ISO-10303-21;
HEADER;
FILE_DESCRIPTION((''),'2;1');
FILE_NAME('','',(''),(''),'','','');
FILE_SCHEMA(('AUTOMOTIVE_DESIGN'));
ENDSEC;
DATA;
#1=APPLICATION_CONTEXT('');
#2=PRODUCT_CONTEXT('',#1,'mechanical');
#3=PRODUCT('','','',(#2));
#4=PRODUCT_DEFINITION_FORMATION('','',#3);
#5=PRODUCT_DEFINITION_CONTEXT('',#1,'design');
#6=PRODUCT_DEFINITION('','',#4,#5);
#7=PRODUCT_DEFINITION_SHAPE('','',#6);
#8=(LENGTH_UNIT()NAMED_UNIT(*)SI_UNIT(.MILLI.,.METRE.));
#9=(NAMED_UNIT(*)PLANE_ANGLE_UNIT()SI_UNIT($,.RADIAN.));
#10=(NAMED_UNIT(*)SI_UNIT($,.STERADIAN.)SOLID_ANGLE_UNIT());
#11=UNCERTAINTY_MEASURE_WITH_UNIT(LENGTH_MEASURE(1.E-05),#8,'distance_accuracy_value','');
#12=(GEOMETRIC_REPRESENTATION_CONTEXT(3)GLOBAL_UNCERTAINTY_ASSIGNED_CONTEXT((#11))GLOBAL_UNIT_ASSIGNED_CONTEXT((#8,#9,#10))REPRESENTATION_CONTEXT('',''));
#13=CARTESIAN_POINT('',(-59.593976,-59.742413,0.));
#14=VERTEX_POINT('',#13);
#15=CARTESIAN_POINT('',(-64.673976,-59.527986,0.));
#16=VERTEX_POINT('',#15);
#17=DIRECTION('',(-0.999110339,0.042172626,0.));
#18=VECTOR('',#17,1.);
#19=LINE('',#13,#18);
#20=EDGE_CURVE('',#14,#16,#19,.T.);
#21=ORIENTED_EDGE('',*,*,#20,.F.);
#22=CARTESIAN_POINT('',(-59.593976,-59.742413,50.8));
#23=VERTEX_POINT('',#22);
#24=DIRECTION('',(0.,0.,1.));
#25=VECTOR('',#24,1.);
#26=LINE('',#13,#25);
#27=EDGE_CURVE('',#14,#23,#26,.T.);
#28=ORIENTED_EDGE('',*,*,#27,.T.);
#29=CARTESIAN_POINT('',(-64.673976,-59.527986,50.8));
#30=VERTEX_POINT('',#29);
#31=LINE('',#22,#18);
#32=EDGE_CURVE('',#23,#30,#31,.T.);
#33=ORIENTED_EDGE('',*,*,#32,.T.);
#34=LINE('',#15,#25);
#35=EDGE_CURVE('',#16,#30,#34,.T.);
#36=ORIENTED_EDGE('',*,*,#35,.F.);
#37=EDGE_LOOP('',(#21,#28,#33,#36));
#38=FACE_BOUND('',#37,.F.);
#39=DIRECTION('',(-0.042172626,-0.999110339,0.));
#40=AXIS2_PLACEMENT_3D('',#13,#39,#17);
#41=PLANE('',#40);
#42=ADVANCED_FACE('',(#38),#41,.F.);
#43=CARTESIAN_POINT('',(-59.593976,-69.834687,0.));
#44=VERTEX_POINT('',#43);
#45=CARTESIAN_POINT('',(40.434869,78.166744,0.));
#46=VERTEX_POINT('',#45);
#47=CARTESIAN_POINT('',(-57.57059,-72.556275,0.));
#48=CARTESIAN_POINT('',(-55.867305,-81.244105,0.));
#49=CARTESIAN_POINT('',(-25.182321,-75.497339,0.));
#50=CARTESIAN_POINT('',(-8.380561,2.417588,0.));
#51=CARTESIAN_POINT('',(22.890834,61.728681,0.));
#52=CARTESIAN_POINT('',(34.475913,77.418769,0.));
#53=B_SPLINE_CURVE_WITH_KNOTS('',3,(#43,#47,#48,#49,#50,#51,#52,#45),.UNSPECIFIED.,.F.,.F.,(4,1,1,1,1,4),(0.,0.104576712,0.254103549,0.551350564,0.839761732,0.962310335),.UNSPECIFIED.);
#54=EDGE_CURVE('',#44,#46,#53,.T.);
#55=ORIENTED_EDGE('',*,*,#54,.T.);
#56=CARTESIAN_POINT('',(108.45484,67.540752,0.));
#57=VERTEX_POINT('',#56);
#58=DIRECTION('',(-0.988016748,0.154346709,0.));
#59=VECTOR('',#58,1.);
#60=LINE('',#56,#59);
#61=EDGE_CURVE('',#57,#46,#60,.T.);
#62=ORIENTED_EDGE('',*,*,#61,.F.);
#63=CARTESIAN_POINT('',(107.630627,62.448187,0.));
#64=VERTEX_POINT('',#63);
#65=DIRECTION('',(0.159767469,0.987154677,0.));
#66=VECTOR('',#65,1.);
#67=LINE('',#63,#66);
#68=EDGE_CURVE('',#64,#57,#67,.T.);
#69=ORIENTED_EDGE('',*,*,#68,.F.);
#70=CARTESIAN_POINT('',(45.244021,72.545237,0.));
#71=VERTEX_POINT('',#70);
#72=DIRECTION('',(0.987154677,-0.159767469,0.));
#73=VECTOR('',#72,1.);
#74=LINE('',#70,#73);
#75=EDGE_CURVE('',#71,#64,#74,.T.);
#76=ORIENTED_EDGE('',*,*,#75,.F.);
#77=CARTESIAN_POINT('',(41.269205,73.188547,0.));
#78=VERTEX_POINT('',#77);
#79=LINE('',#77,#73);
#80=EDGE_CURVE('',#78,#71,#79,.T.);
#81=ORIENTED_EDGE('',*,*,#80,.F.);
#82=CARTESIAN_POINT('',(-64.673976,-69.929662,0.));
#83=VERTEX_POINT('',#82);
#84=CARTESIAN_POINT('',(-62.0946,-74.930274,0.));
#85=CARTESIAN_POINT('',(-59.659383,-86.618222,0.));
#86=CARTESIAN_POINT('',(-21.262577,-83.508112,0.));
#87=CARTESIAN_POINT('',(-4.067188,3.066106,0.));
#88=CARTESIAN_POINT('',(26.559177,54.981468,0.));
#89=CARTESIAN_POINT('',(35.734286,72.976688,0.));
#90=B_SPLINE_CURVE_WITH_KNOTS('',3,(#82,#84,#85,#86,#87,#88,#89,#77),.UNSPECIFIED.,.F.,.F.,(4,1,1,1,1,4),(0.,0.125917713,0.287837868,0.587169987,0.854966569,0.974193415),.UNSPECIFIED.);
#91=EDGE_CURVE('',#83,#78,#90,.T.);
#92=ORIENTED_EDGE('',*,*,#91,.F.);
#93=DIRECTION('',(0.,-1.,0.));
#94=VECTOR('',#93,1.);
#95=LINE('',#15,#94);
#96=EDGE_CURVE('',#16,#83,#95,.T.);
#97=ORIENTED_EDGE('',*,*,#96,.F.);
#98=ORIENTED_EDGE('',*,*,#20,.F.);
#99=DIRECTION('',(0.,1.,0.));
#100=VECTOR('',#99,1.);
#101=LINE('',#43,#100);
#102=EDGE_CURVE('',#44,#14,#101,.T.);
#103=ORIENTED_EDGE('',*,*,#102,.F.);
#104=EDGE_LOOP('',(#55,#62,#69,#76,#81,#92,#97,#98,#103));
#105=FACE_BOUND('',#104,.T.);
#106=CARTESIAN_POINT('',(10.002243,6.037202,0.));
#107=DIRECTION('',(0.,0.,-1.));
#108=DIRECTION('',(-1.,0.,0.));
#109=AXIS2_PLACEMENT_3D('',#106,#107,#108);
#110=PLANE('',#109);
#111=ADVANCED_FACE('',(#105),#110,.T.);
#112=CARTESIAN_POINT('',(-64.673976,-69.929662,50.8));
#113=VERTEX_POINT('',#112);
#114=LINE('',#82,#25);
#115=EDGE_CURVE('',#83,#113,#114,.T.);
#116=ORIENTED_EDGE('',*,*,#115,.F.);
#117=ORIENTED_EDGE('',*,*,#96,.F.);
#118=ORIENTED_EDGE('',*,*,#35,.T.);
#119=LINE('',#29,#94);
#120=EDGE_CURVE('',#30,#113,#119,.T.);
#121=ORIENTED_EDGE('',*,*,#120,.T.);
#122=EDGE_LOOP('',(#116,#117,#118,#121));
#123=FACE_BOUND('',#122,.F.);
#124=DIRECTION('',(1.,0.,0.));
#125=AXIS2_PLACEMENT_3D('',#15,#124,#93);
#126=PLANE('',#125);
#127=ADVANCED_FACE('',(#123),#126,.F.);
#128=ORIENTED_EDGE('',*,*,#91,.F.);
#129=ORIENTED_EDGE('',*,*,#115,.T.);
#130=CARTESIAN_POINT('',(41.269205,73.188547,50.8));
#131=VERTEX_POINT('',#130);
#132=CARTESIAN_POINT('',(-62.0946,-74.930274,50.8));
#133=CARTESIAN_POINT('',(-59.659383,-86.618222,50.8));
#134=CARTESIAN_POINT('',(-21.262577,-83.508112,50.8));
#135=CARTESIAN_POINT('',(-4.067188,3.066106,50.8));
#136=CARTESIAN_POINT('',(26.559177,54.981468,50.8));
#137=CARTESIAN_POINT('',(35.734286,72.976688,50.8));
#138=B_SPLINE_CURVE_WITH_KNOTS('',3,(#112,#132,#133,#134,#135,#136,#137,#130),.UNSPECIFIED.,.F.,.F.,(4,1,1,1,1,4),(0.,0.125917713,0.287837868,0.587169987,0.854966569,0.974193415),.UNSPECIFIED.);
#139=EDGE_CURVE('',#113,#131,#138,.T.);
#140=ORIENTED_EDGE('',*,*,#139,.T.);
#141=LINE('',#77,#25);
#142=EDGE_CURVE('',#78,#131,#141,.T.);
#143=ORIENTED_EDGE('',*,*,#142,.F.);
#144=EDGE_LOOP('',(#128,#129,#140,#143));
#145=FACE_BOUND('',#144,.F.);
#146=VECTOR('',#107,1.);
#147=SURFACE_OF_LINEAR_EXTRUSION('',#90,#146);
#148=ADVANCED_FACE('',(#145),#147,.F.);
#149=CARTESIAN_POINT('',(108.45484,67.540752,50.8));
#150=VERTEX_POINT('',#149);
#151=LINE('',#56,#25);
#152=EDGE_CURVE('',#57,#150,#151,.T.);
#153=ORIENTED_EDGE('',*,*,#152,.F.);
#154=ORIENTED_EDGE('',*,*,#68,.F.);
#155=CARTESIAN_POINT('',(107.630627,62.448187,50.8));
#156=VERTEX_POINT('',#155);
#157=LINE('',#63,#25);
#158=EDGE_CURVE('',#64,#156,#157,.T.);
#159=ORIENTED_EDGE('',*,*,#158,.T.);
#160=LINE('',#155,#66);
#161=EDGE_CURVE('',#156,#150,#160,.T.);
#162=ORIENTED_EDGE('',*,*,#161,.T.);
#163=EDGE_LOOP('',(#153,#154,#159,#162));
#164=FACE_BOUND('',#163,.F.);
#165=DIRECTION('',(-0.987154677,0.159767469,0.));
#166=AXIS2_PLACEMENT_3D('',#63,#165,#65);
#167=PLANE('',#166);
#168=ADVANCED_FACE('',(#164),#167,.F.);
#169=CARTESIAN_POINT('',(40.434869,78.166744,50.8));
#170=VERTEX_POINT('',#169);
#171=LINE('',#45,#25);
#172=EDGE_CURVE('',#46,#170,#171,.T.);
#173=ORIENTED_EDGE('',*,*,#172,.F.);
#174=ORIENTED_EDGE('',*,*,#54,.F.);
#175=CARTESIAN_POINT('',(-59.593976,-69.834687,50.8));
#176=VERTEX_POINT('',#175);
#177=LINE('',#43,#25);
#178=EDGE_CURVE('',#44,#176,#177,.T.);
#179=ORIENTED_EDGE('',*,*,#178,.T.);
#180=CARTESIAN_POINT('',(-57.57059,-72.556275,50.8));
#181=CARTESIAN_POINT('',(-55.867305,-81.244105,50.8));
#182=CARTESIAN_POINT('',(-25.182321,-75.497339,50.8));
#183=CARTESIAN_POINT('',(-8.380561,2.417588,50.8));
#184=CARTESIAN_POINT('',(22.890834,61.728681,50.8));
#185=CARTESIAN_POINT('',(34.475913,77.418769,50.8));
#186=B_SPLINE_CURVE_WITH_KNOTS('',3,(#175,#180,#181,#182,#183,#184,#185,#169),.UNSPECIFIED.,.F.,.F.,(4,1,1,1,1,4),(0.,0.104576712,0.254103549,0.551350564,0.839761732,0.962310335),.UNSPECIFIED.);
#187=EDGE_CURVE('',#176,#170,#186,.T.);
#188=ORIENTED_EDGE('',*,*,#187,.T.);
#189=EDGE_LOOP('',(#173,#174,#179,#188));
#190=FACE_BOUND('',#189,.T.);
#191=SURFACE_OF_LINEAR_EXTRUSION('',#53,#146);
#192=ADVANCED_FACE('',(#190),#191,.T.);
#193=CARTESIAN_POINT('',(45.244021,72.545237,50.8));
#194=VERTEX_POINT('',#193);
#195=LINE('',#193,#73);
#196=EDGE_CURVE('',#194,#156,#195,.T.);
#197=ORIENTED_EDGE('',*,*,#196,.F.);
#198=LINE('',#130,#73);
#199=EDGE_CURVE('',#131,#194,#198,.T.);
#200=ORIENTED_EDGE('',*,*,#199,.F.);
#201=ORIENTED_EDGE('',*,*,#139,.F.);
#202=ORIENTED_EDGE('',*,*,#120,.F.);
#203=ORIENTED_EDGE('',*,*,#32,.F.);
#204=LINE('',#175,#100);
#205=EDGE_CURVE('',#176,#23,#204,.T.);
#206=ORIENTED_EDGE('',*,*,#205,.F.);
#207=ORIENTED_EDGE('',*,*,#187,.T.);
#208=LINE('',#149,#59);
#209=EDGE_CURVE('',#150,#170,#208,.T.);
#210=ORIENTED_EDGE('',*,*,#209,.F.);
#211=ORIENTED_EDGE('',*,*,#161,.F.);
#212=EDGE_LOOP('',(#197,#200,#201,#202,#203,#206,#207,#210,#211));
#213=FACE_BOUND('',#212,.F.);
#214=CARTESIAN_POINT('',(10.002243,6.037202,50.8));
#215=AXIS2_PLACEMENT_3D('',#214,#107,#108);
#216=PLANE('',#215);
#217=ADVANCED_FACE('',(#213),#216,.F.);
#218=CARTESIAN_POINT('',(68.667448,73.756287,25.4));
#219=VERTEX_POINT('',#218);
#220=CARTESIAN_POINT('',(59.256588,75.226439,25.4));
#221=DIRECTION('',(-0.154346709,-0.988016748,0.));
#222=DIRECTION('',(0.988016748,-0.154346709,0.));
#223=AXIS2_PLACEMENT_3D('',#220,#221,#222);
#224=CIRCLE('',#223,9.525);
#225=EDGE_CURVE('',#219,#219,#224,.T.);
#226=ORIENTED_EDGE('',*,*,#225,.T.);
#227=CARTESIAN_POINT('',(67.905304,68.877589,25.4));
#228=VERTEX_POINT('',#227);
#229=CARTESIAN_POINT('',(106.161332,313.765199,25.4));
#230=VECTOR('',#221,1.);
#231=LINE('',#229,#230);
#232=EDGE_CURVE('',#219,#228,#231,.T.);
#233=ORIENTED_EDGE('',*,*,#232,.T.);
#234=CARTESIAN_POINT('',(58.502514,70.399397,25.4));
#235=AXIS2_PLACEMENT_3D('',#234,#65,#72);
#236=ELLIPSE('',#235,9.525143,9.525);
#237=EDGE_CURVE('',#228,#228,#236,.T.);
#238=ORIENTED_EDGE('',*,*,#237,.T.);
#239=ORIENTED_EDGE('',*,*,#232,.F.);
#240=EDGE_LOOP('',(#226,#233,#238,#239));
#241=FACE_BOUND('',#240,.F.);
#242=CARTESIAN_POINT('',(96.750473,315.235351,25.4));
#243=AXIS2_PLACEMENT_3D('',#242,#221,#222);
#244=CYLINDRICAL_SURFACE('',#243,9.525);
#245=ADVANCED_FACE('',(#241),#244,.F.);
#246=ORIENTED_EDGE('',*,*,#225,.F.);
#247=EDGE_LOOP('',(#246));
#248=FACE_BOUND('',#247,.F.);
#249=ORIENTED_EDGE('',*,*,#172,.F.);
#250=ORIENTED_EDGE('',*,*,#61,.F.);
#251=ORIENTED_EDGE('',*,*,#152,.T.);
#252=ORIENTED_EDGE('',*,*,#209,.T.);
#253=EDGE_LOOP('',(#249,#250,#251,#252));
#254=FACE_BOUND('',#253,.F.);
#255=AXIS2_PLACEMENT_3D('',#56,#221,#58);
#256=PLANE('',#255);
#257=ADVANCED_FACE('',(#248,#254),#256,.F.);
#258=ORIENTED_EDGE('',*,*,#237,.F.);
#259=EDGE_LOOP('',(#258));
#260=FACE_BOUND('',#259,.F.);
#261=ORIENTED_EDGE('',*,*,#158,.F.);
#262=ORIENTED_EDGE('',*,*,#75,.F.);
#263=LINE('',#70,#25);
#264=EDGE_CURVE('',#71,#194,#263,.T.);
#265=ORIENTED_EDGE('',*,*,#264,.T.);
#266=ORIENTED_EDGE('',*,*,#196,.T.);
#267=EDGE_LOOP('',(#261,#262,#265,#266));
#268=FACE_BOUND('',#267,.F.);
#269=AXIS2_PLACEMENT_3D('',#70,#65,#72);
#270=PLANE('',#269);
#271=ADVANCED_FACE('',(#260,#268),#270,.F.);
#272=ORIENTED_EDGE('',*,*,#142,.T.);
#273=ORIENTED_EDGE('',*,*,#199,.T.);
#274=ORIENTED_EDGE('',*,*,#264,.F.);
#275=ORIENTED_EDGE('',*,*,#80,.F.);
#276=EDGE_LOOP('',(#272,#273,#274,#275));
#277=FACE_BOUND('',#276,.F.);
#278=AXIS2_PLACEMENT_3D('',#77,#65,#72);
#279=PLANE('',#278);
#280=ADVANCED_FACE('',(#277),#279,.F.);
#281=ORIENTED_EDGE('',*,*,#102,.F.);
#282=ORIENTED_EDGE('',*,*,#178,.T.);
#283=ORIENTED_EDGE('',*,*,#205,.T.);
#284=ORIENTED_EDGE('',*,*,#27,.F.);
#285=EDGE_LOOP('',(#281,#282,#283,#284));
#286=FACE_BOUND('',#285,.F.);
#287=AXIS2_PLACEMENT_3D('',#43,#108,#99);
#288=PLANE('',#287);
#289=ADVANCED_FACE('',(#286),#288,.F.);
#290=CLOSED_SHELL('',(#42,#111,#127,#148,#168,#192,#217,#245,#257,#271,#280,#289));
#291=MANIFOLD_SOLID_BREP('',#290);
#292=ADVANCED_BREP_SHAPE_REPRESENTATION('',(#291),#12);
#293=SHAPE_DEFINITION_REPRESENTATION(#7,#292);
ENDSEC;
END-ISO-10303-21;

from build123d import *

# Parameters (mm, degrees)
F1_DEPTH = 50.8
F3_D     = 19.05


with BuildPart() as f1:
    # F0 (on Top) → F1 (new body)
    with BuildSketch(Plane.XY):
        with BuildLine():
            add(Edge.make_bspline(
                [(-59.593975544, -69.8346868157), (-57.5705903167, -72.5562753657), (-55.8673053823, -81.2441046484), (-25.1823212875, -75.49733859), (-8.3805609474, 2.4175880554), (22.8908344342, 61.7286809507), (34.4759126584, 77.4187688228), (40.4348692971, 78.1667441625)],
                knots=[0, 0, 0, 0, 0.104576712, 0.2541035491, 0.5513505643, 0.8397617316, 0.9623103349, 0.9623103349, 0.9623103349, 0.9623103349], degree=3))
            Line((-59.593975544, -69.8346868157), (-59.593975544, -59.7424133436))
            Line((-59.593975544, -59.7424133436), (-64.673975544, -59.5279856341))
            Line((-64.673975544, -59.5279856341), (-64.673975544, -69.9296624515))
            add(Edge.make_bspline(
                [(-64.673975544, -69.9296624515), (-62.0946001227, -74.9302742824), (-59.6593832074, -86.618222052), (-21.2625765669, -83.5081122028), (-4.0671881792, 3.0661055102), (26.5591769086, 54.9814682467), (35.7342864614, 72.9766880506), (41.269205446, 73.188547059)],
                knots=[0, 0, 0, 0, 0.1259177125, 0.2878378683, 0.5871699867, 0.8549665689, 0.9741934146, 0.9741934146, 0.9741934146, 0.9741934146], degree=3))
            add(Edge.make_bspline(
                [(41.269205446, 73.188547059), (42.4577741069, 73.2340416685), (43.7712371303, 73.0336709958), (45.2440211854, 72.545237286)],
                knots=[0.9741934146, 0.9741934146, 0.9741934146, 0.9741934146, 0.9997961909, 0.9997961909, 0.9997961909, 0.9997961909], degree=3))
            Line((45.2440211854, 72.545237286), (107.6306267958, 62.448187329))
            Line((107.6306267958, 62.448187329), (108.4548401849, 67.5407515797))
            Line((108.4548401849, 67.5407515797), (40.4348692971, 78.1667441625))
        make_face()
        with BuildLine():
            Line((41.269205446, 73.188547059), (45.2440211854, 72.545237286))
            add(Edge.make_bspline(
                [(41.269205446, 73.188547059), (42.4577741069, 73.2340416685), (43.7712371303, 73.0336709958), (45.2440211854, 72.545237286)],
                knots=[0.9741934146, 0.9741934146, 0.9741934146, 0.9741934146, 0.9997961909, 0.9997961909, 0.9997961909, 0.9997961909], degree=3))
        make_face()
    extrude(amount=F1_DEPTH)

    # F3 (through all)
    with Locations(Plane(origin=(12.8834804999, 82.4707867721, 0), x_dir=(-0.9880167476, 0.1543467087, 0), z_dir=(0.1543467087, 0.9880167476, 0))):
        with Locations((-46.9355483618, 25.4)):
            Hole(F3_D / 2)


solid = f1.part
